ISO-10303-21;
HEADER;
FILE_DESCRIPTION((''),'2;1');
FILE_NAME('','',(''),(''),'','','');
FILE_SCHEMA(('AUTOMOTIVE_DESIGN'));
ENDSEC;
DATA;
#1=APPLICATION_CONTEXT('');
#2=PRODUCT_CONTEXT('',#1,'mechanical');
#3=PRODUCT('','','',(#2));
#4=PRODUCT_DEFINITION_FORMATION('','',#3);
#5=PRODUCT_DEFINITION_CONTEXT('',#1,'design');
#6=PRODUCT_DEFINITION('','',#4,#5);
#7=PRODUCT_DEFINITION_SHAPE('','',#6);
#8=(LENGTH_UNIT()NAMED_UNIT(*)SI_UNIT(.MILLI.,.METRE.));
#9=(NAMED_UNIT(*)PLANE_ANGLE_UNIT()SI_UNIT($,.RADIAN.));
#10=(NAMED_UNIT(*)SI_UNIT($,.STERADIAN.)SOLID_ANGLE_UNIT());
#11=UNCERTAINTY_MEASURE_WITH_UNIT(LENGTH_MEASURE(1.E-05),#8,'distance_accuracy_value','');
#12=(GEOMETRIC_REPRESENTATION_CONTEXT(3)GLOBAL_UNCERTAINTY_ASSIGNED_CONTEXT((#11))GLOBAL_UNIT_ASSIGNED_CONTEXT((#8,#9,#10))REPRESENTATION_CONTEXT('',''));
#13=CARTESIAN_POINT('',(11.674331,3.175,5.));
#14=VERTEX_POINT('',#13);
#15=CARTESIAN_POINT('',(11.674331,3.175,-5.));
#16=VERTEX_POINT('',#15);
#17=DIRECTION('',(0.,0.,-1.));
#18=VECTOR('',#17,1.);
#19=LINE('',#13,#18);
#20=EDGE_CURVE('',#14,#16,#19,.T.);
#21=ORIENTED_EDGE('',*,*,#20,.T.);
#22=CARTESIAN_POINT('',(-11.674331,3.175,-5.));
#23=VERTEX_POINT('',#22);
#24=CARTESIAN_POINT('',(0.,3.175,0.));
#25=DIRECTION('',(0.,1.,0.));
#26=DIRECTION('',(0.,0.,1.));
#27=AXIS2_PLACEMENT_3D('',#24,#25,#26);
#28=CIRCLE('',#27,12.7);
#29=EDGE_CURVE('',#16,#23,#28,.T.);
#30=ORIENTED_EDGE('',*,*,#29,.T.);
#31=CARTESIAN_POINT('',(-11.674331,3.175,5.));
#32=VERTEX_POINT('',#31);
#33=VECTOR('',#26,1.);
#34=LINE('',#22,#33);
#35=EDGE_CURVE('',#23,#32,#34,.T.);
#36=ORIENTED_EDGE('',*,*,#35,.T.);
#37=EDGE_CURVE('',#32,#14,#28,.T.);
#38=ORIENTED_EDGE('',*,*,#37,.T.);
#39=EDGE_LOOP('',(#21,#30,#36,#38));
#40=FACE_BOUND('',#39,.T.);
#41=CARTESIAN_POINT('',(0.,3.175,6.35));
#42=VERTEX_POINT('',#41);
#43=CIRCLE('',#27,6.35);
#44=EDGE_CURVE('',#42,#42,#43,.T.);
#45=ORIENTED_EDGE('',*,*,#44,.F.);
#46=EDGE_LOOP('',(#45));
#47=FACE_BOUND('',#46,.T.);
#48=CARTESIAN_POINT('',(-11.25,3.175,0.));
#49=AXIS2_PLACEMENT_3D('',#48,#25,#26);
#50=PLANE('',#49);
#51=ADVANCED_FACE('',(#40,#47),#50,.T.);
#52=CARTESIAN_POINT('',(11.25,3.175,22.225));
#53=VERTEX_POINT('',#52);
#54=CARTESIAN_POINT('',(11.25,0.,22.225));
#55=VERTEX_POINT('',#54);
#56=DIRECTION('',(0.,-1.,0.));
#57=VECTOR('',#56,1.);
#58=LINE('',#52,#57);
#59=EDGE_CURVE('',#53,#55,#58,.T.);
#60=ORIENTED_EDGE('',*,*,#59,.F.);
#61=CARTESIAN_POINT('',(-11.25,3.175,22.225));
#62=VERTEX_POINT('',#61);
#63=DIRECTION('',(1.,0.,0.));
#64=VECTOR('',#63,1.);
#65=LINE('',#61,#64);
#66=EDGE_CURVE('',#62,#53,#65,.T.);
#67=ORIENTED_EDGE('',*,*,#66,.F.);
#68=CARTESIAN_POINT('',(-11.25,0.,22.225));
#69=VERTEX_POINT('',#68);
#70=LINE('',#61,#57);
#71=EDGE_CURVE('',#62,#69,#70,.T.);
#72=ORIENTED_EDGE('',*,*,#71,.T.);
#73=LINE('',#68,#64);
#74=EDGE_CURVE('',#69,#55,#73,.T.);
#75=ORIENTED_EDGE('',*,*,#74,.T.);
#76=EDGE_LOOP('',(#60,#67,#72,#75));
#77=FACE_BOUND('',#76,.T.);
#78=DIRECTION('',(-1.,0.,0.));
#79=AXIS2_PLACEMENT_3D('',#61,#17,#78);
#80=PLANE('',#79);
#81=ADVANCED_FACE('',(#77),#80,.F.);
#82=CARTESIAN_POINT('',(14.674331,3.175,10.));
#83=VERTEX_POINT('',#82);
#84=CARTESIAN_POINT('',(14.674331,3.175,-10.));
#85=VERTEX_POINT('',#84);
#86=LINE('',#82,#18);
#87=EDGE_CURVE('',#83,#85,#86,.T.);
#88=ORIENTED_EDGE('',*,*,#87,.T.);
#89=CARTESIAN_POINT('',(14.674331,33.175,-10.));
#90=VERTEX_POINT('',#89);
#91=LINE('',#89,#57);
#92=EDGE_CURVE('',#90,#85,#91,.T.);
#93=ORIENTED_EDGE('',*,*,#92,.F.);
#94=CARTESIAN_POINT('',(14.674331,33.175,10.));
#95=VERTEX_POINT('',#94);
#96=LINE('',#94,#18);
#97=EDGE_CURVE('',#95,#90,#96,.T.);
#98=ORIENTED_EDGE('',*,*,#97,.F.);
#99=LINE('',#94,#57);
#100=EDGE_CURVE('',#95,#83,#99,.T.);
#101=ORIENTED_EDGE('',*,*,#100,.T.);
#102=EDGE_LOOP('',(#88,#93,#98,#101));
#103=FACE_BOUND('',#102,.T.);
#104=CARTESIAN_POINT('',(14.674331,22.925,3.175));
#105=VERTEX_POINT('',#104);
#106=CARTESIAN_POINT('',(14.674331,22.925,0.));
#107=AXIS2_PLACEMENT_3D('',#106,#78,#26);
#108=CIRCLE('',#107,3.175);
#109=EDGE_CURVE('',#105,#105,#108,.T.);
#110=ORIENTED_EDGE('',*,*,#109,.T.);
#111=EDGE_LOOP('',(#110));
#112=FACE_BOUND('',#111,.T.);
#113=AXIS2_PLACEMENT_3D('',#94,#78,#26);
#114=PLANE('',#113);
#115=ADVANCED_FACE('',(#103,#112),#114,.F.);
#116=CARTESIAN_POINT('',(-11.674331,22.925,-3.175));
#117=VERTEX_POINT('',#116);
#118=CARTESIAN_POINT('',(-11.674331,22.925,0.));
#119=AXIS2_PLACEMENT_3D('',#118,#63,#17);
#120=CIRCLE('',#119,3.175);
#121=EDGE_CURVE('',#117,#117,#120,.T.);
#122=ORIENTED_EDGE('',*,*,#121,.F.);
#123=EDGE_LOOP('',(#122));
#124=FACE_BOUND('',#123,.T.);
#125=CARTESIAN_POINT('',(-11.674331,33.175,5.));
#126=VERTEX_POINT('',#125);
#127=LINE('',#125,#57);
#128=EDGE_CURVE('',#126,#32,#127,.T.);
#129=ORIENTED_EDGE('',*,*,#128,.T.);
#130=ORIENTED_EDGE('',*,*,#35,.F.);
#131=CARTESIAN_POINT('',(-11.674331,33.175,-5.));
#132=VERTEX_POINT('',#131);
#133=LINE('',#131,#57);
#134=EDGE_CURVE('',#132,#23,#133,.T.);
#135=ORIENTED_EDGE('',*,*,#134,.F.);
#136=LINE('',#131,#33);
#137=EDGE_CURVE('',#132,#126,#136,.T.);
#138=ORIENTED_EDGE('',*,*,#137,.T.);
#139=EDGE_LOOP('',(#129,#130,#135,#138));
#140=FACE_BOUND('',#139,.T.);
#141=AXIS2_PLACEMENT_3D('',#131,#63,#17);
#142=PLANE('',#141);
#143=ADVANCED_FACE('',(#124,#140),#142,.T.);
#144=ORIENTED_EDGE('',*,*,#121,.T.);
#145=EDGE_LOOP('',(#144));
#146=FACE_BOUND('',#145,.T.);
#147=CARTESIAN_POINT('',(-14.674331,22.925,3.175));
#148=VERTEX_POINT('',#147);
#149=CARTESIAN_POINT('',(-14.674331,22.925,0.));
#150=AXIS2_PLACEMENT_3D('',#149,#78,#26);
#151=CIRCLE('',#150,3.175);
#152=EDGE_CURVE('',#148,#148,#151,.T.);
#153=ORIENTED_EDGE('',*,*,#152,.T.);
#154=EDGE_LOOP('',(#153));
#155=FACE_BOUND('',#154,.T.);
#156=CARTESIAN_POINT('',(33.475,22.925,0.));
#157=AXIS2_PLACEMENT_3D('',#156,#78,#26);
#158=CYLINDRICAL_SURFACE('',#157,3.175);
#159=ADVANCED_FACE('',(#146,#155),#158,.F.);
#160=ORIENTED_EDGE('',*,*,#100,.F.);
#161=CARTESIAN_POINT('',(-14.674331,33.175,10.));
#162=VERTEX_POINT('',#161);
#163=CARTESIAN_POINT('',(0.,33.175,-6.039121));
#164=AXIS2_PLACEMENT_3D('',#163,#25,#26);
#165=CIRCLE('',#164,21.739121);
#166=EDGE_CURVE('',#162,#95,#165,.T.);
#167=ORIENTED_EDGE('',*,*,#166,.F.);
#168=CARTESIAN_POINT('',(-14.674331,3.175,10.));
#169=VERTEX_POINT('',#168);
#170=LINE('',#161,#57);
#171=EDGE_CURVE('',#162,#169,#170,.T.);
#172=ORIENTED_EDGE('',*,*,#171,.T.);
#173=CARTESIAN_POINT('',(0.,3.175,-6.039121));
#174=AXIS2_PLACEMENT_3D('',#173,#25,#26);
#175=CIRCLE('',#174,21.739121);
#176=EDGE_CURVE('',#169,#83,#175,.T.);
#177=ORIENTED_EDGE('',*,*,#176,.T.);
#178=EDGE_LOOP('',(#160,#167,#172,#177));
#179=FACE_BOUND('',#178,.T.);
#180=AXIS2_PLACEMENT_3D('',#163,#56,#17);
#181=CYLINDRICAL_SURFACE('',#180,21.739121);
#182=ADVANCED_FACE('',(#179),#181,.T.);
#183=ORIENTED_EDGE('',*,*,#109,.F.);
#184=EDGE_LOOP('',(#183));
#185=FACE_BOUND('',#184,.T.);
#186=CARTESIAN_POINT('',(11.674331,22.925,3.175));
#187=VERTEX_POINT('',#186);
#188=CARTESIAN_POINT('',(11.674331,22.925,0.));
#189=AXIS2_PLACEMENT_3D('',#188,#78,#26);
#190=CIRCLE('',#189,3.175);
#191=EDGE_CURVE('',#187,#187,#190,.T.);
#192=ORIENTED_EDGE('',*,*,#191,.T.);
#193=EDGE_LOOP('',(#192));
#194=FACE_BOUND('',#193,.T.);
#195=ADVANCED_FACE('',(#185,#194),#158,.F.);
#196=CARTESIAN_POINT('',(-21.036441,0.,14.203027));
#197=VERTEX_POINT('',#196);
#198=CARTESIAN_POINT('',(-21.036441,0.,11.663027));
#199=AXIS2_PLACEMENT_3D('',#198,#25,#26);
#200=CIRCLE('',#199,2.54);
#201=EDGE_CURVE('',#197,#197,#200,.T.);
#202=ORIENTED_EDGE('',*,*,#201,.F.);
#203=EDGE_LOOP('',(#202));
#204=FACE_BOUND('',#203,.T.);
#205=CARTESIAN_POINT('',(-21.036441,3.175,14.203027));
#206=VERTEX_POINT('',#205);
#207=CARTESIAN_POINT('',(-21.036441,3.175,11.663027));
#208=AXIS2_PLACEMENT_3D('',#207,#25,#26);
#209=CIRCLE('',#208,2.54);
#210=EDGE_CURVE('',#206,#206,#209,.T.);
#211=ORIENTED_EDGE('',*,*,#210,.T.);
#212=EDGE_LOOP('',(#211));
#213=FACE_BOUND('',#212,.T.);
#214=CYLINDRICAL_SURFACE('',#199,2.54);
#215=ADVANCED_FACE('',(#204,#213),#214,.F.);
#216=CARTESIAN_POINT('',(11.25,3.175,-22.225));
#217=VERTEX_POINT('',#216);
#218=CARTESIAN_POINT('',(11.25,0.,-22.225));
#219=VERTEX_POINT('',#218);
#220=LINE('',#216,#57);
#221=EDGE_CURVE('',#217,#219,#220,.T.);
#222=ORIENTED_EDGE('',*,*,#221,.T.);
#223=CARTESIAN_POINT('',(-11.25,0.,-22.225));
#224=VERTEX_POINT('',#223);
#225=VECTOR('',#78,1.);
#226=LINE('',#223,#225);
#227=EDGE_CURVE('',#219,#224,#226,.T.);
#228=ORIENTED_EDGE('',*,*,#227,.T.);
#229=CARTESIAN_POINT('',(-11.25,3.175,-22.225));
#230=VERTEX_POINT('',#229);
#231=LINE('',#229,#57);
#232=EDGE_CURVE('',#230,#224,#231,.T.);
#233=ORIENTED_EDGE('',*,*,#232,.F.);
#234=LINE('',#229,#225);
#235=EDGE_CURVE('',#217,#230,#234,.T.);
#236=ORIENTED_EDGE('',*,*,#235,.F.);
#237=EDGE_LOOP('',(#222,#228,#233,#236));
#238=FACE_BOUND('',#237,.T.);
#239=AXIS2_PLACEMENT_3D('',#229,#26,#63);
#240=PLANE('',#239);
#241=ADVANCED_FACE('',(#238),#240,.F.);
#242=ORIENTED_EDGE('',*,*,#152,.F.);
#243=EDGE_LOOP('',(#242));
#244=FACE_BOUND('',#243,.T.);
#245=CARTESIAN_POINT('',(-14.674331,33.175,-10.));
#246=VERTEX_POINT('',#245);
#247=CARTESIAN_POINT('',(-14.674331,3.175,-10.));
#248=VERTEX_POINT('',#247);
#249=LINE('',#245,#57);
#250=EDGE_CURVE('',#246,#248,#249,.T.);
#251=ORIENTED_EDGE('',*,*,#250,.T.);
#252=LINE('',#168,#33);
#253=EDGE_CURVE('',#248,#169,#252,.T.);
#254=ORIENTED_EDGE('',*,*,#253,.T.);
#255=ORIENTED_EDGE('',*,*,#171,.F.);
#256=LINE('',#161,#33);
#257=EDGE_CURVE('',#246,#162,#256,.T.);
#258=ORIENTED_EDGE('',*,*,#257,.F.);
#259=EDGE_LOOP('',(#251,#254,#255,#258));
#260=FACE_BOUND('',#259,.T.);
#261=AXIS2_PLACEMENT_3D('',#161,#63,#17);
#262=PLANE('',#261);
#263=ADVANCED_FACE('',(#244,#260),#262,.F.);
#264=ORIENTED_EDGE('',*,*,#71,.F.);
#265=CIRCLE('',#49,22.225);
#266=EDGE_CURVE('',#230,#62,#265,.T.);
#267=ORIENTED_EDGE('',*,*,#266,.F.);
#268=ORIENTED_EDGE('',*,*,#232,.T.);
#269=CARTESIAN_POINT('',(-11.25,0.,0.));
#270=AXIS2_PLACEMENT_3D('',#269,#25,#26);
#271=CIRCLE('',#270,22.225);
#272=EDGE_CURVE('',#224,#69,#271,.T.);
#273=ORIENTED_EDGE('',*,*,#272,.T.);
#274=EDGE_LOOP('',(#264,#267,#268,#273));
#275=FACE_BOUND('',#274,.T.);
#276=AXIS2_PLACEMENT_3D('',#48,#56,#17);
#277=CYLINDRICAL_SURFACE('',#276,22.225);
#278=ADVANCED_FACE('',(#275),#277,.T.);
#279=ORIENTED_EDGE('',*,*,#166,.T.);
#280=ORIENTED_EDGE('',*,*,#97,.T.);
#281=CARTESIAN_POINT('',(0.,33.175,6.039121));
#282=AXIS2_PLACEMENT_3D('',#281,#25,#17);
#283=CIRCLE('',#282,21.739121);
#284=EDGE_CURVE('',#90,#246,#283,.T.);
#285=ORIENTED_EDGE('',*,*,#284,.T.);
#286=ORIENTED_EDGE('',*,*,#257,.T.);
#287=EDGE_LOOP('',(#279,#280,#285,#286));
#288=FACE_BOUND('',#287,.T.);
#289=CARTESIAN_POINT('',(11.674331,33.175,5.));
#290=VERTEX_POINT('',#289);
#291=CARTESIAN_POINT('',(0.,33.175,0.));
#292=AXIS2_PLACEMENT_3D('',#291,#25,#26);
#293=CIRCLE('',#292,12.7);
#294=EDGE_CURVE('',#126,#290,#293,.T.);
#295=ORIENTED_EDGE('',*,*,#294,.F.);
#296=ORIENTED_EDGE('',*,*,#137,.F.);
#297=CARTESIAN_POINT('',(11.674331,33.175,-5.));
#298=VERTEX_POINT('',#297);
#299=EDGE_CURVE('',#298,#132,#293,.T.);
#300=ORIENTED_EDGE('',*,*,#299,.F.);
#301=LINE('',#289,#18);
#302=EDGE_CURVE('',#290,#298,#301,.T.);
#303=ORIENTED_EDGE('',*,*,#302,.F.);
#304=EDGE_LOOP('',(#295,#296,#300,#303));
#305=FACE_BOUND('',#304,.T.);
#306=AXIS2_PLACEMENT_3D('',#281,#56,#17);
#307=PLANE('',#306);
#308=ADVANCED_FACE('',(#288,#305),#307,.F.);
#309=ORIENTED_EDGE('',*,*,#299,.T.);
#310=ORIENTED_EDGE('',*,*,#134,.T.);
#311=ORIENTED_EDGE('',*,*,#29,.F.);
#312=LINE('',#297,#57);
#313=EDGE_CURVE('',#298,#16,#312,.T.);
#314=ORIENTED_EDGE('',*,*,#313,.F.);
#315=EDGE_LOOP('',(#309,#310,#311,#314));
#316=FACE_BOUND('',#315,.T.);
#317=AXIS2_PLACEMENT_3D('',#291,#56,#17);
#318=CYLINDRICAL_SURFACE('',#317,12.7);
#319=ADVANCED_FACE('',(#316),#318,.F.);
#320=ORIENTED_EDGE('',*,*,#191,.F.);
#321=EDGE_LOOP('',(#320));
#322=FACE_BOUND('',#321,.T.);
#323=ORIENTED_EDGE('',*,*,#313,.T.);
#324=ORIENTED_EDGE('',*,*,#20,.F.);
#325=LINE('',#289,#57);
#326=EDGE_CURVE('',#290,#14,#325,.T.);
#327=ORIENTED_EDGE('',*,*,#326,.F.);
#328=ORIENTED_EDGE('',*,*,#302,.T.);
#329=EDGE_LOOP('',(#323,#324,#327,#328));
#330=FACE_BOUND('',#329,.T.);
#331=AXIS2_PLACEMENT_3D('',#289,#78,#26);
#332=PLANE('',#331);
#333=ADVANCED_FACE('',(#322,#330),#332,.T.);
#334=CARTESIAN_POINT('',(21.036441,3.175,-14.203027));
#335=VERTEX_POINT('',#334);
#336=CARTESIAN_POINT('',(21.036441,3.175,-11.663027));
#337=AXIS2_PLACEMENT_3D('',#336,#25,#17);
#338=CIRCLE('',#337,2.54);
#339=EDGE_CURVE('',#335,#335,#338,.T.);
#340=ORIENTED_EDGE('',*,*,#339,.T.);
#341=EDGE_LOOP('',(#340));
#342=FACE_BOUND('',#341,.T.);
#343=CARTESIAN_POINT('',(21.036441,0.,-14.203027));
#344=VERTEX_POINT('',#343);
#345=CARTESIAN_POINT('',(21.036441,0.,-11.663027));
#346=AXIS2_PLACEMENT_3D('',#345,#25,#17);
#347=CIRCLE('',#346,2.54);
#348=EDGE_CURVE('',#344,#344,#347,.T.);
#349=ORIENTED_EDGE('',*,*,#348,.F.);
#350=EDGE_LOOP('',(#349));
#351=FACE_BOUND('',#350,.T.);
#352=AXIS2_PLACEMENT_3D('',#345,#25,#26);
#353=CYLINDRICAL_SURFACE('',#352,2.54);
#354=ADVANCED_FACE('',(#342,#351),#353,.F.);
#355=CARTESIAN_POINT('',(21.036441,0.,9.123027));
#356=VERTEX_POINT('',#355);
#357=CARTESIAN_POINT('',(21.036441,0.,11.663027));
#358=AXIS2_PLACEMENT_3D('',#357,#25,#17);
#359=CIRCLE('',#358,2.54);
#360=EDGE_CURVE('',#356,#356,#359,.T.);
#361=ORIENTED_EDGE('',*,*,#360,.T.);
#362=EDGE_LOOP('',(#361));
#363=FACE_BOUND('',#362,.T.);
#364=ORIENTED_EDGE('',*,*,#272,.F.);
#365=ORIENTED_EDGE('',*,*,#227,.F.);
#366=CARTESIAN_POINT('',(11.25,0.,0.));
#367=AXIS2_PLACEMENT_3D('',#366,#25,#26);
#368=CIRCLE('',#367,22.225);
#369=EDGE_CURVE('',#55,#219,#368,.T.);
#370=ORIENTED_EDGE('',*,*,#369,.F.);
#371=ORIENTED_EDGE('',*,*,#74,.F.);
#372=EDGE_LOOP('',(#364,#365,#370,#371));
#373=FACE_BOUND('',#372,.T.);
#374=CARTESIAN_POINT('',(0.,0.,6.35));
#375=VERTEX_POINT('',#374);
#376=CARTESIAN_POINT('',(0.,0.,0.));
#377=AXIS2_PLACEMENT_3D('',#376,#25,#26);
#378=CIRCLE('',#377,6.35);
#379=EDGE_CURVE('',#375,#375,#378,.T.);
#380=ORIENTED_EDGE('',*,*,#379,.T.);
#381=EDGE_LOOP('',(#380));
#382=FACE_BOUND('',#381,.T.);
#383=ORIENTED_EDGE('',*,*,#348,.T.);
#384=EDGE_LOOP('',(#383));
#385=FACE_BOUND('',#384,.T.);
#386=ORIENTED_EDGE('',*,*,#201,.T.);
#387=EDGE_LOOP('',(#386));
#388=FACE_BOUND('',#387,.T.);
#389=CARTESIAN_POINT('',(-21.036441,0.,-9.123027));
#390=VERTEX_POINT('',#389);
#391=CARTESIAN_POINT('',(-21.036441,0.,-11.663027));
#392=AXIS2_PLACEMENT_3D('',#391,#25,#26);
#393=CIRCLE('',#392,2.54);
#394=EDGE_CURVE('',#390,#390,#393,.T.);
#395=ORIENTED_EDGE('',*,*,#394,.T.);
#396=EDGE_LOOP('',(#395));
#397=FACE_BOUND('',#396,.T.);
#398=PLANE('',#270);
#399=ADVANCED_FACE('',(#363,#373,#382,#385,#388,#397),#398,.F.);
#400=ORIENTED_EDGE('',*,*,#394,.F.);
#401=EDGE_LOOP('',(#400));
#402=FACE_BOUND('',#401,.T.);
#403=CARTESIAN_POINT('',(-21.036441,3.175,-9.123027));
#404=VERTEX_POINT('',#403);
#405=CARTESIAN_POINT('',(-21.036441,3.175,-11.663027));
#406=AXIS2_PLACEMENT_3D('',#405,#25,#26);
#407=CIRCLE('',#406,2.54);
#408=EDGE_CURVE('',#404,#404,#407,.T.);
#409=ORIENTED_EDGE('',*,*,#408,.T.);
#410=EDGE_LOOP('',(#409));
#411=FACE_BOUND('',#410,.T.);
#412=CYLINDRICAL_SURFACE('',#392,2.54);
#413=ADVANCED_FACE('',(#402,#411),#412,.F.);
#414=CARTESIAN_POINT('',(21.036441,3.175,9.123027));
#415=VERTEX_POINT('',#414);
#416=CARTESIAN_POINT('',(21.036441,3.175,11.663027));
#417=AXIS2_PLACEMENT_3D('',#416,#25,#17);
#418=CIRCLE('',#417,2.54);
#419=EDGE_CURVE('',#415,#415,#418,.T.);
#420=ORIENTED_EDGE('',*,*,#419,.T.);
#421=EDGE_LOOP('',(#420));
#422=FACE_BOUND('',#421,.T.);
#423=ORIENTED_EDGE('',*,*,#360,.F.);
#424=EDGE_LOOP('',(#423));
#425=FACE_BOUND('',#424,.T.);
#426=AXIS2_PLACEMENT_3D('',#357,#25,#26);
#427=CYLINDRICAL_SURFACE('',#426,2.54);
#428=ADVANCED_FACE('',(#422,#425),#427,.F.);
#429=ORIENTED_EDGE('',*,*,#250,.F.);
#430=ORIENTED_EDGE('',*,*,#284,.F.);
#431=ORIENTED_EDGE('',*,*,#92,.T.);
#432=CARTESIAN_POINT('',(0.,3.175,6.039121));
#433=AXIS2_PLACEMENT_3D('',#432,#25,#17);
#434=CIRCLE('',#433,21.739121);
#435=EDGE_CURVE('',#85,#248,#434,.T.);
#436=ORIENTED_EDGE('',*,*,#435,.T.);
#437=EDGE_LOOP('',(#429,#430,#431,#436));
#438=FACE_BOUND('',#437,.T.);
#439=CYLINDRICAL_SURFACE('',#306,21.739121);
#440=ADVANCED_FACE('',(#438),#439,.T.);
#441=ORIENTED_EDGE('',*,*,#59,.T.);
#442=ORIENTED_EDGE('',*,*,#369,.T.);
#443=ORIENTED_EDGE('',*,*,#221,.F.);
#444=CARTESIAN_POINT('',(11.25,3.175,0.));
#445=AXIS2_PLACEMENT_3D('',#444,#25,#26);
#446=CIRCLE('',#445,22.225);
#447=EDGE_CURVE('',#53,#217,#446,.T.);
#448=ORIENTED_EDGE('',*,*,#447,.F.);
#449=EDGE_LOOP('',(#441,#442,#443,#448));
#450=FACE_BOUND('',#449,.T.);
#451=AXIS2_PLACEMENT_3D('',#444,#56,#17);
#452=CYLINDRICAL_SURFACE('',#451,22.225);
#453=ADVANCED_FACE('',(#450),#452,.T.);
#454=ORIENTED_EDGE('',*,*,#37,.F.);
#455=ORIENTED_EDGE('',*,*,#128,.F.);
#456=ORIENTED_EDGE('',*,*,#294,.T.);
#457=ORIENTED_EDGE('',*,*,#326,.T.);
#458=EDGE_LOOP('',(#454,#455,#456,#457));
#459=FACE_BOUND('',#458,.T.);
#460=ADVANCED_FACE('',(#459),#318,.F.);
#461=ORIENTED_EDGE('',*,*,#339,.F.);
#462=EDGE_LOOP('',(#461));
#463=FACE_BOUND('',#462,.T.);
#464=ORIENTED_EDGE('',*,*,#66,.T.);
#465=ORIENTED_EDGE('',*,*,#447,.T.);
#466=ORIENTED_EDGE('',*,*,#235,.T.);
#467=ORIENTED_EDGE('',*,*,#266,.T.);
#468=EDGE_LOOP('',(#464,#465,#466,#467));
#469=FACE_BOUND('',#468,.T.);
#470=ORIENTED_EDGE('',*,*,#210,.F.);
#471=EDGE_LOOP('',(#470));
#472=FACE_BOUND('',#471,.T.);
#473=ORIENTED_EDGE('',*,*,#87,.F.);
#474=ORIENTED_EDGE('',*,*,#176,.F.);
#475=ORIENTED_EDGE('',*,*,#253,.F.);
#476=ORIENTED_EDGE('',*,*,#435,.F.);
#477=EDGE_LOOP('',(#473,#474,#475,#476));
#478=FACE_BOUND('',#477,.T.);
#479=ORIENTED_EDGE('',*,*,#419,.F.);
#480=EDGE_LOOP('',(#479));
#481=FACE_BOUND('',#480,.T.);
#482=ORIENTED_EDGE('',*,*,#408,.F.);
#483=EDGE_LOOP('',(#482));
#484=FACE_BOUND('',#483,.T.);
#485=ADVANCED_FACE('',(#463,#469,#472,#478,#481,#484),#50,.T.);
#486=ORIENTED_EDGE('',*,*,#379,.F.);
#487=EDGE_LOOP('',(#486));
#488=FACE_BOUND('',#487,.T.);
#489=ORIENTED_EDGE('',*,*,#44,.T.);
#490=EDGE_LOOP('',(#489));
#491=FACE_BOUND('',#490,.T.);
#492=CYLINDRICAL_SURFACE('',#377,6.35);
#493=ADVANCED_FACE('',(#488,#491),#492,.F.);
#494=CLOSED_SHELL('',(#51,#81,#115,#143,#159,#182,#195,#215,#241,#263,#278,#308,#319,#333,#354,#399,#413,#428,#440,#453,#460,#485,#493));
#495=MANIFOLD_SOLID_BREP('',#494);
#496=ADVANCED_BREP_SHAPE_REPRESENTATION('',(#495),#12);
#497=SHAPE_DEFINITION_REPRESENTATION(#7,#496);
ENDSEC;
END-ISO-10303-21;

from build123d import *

# Parameters (mm, degrees)
BOSS_EXTRUDE1_DEPTH = 3.175
SKETCH2_R           = 2.54
CUT_EXTRUDE1_DEPTH  = 41.306412331
BOSS_EXTRUDE2_DEPTH = 30
SKETCH4_R           = 6.35
CUT_EXTRUDE2_DEPTH  = 51.145052099
SKETCH6_R           = 3.175
CUT_EXTRUDE3_DEPTH  = 66.447021029


with BuildPart() as part:
    # Sketch1 → Boss-Extrude1 (new body)
    with BuildSketch(Plane(origin=(0, 0, 0), x_dir=(1, 0, 0), z_dir=(0, 1, 0))):
        with BuildLine():
            Line((-11.25, 22.225), (11.25, 22.225))
            ThreePointArc((11.25, 22.225), (33.475, 0), (11.25, -22.225))
            Line((11.25, -22.225), (-11.25, -22.225))
            ThreePointArc((-11.25, -22.225), (-33.475, 0), (-11.25, 22.225))
        make_face()
    extrude(amount=BOSS_EXTRUDE1_DEPTH)

    # Sketch2 → Cut-Extrude1 (cut, through all)
    with BuildSketch(Plane(origin=(0, 3.175, 0), x_dir=(1, 0, 0), z_dir=(0, 1, 0))):
        with Locations(Location((-21.036441357, -11.663026646, 0), (0, 0, 270))):
            Circle(SKETCH2_R)
        with Locations(Location((-21.036441357, 11.663026646, 0), (0, 0, 270))):
            Circle(SKETCH2_R)
        with Locations(Location((21.036441357, -11.663026646, 0), (0, 0, 90))):
            Circle(SKETCH2_R)
        with Locations(Location((21.036441357, 11.663026646, 0), (0, 0, 90))):
            Circle(SKETCH2_R)
    extrude(amount=-CUT_EXTRUDE1_DEPTH, mode=Mode.SUBTRACT)

    # Sketch3 → Boss-Extrude2 (add)
    with BuildSketch(Plane(origin=(0, 3.175, 0), x_dir=(1, 0, 0), z_dir=(0, 1, 0))):
        with BuildLine():
            Line((-14.674330816, -10), (-14.674330816, 10))
            ThreePointArc((-14.674330816, 10), (0, 15.7), (14.674330816, 10))
            Line((14.674330816, 10), (14.674330816, -10))
            ThreePointArc((14.674330816, -10), (0, -15.7), (-14.674330816, -10))
        make_face()
        with BuildLine():
            Line((-11.674330816, 5), (-11.674330816, -5))
            ThreePointArc((-11.674330816, -5), (0, -12.7), (11.674330816, -5))
            Line((11.674330816, -5), (11.674330816, 5))
            ThreePointArc((11.674330816, 5), (0, 12.7), (-11.674330816, 5))
        make_face(mode=Mode.SUBTRACT)
    extrude(amount=BOSS_EXTRUDE2_DEPTH)

    # Sketch4 → Cut-Extrude2 (cut, through all)
    with BuildSketch(Plane(origin=(0, 3.175, 0), x_dir=(1, 0, 0), z_dir=(0, 1, 0))):
        with Locations(Location((0, 0, 0), (0, 0, 270))):
            Circle(SKETCH4_R)
    extrude(amount=-CUT_EXTRUDE2_DEPTH, mode=Mode.SUBTRACT)

    # Sketch6 → Cut-Extrude3 (cut, through all)
    with BuildSketch(Plane(origin=(-14.674330816, 2.247424982, 9.530938138), x_dir=(0, 0, 1), z_dir=(-1, 0, 0))):
        with Locations((-9.530938138, 20.677575018)):
            Circle(SKETCH6_R)
    extrude(amount=-CUT_EXTRUDE3_DEPTH, mode=Mode.SUBTRACT)


solid = part.part
